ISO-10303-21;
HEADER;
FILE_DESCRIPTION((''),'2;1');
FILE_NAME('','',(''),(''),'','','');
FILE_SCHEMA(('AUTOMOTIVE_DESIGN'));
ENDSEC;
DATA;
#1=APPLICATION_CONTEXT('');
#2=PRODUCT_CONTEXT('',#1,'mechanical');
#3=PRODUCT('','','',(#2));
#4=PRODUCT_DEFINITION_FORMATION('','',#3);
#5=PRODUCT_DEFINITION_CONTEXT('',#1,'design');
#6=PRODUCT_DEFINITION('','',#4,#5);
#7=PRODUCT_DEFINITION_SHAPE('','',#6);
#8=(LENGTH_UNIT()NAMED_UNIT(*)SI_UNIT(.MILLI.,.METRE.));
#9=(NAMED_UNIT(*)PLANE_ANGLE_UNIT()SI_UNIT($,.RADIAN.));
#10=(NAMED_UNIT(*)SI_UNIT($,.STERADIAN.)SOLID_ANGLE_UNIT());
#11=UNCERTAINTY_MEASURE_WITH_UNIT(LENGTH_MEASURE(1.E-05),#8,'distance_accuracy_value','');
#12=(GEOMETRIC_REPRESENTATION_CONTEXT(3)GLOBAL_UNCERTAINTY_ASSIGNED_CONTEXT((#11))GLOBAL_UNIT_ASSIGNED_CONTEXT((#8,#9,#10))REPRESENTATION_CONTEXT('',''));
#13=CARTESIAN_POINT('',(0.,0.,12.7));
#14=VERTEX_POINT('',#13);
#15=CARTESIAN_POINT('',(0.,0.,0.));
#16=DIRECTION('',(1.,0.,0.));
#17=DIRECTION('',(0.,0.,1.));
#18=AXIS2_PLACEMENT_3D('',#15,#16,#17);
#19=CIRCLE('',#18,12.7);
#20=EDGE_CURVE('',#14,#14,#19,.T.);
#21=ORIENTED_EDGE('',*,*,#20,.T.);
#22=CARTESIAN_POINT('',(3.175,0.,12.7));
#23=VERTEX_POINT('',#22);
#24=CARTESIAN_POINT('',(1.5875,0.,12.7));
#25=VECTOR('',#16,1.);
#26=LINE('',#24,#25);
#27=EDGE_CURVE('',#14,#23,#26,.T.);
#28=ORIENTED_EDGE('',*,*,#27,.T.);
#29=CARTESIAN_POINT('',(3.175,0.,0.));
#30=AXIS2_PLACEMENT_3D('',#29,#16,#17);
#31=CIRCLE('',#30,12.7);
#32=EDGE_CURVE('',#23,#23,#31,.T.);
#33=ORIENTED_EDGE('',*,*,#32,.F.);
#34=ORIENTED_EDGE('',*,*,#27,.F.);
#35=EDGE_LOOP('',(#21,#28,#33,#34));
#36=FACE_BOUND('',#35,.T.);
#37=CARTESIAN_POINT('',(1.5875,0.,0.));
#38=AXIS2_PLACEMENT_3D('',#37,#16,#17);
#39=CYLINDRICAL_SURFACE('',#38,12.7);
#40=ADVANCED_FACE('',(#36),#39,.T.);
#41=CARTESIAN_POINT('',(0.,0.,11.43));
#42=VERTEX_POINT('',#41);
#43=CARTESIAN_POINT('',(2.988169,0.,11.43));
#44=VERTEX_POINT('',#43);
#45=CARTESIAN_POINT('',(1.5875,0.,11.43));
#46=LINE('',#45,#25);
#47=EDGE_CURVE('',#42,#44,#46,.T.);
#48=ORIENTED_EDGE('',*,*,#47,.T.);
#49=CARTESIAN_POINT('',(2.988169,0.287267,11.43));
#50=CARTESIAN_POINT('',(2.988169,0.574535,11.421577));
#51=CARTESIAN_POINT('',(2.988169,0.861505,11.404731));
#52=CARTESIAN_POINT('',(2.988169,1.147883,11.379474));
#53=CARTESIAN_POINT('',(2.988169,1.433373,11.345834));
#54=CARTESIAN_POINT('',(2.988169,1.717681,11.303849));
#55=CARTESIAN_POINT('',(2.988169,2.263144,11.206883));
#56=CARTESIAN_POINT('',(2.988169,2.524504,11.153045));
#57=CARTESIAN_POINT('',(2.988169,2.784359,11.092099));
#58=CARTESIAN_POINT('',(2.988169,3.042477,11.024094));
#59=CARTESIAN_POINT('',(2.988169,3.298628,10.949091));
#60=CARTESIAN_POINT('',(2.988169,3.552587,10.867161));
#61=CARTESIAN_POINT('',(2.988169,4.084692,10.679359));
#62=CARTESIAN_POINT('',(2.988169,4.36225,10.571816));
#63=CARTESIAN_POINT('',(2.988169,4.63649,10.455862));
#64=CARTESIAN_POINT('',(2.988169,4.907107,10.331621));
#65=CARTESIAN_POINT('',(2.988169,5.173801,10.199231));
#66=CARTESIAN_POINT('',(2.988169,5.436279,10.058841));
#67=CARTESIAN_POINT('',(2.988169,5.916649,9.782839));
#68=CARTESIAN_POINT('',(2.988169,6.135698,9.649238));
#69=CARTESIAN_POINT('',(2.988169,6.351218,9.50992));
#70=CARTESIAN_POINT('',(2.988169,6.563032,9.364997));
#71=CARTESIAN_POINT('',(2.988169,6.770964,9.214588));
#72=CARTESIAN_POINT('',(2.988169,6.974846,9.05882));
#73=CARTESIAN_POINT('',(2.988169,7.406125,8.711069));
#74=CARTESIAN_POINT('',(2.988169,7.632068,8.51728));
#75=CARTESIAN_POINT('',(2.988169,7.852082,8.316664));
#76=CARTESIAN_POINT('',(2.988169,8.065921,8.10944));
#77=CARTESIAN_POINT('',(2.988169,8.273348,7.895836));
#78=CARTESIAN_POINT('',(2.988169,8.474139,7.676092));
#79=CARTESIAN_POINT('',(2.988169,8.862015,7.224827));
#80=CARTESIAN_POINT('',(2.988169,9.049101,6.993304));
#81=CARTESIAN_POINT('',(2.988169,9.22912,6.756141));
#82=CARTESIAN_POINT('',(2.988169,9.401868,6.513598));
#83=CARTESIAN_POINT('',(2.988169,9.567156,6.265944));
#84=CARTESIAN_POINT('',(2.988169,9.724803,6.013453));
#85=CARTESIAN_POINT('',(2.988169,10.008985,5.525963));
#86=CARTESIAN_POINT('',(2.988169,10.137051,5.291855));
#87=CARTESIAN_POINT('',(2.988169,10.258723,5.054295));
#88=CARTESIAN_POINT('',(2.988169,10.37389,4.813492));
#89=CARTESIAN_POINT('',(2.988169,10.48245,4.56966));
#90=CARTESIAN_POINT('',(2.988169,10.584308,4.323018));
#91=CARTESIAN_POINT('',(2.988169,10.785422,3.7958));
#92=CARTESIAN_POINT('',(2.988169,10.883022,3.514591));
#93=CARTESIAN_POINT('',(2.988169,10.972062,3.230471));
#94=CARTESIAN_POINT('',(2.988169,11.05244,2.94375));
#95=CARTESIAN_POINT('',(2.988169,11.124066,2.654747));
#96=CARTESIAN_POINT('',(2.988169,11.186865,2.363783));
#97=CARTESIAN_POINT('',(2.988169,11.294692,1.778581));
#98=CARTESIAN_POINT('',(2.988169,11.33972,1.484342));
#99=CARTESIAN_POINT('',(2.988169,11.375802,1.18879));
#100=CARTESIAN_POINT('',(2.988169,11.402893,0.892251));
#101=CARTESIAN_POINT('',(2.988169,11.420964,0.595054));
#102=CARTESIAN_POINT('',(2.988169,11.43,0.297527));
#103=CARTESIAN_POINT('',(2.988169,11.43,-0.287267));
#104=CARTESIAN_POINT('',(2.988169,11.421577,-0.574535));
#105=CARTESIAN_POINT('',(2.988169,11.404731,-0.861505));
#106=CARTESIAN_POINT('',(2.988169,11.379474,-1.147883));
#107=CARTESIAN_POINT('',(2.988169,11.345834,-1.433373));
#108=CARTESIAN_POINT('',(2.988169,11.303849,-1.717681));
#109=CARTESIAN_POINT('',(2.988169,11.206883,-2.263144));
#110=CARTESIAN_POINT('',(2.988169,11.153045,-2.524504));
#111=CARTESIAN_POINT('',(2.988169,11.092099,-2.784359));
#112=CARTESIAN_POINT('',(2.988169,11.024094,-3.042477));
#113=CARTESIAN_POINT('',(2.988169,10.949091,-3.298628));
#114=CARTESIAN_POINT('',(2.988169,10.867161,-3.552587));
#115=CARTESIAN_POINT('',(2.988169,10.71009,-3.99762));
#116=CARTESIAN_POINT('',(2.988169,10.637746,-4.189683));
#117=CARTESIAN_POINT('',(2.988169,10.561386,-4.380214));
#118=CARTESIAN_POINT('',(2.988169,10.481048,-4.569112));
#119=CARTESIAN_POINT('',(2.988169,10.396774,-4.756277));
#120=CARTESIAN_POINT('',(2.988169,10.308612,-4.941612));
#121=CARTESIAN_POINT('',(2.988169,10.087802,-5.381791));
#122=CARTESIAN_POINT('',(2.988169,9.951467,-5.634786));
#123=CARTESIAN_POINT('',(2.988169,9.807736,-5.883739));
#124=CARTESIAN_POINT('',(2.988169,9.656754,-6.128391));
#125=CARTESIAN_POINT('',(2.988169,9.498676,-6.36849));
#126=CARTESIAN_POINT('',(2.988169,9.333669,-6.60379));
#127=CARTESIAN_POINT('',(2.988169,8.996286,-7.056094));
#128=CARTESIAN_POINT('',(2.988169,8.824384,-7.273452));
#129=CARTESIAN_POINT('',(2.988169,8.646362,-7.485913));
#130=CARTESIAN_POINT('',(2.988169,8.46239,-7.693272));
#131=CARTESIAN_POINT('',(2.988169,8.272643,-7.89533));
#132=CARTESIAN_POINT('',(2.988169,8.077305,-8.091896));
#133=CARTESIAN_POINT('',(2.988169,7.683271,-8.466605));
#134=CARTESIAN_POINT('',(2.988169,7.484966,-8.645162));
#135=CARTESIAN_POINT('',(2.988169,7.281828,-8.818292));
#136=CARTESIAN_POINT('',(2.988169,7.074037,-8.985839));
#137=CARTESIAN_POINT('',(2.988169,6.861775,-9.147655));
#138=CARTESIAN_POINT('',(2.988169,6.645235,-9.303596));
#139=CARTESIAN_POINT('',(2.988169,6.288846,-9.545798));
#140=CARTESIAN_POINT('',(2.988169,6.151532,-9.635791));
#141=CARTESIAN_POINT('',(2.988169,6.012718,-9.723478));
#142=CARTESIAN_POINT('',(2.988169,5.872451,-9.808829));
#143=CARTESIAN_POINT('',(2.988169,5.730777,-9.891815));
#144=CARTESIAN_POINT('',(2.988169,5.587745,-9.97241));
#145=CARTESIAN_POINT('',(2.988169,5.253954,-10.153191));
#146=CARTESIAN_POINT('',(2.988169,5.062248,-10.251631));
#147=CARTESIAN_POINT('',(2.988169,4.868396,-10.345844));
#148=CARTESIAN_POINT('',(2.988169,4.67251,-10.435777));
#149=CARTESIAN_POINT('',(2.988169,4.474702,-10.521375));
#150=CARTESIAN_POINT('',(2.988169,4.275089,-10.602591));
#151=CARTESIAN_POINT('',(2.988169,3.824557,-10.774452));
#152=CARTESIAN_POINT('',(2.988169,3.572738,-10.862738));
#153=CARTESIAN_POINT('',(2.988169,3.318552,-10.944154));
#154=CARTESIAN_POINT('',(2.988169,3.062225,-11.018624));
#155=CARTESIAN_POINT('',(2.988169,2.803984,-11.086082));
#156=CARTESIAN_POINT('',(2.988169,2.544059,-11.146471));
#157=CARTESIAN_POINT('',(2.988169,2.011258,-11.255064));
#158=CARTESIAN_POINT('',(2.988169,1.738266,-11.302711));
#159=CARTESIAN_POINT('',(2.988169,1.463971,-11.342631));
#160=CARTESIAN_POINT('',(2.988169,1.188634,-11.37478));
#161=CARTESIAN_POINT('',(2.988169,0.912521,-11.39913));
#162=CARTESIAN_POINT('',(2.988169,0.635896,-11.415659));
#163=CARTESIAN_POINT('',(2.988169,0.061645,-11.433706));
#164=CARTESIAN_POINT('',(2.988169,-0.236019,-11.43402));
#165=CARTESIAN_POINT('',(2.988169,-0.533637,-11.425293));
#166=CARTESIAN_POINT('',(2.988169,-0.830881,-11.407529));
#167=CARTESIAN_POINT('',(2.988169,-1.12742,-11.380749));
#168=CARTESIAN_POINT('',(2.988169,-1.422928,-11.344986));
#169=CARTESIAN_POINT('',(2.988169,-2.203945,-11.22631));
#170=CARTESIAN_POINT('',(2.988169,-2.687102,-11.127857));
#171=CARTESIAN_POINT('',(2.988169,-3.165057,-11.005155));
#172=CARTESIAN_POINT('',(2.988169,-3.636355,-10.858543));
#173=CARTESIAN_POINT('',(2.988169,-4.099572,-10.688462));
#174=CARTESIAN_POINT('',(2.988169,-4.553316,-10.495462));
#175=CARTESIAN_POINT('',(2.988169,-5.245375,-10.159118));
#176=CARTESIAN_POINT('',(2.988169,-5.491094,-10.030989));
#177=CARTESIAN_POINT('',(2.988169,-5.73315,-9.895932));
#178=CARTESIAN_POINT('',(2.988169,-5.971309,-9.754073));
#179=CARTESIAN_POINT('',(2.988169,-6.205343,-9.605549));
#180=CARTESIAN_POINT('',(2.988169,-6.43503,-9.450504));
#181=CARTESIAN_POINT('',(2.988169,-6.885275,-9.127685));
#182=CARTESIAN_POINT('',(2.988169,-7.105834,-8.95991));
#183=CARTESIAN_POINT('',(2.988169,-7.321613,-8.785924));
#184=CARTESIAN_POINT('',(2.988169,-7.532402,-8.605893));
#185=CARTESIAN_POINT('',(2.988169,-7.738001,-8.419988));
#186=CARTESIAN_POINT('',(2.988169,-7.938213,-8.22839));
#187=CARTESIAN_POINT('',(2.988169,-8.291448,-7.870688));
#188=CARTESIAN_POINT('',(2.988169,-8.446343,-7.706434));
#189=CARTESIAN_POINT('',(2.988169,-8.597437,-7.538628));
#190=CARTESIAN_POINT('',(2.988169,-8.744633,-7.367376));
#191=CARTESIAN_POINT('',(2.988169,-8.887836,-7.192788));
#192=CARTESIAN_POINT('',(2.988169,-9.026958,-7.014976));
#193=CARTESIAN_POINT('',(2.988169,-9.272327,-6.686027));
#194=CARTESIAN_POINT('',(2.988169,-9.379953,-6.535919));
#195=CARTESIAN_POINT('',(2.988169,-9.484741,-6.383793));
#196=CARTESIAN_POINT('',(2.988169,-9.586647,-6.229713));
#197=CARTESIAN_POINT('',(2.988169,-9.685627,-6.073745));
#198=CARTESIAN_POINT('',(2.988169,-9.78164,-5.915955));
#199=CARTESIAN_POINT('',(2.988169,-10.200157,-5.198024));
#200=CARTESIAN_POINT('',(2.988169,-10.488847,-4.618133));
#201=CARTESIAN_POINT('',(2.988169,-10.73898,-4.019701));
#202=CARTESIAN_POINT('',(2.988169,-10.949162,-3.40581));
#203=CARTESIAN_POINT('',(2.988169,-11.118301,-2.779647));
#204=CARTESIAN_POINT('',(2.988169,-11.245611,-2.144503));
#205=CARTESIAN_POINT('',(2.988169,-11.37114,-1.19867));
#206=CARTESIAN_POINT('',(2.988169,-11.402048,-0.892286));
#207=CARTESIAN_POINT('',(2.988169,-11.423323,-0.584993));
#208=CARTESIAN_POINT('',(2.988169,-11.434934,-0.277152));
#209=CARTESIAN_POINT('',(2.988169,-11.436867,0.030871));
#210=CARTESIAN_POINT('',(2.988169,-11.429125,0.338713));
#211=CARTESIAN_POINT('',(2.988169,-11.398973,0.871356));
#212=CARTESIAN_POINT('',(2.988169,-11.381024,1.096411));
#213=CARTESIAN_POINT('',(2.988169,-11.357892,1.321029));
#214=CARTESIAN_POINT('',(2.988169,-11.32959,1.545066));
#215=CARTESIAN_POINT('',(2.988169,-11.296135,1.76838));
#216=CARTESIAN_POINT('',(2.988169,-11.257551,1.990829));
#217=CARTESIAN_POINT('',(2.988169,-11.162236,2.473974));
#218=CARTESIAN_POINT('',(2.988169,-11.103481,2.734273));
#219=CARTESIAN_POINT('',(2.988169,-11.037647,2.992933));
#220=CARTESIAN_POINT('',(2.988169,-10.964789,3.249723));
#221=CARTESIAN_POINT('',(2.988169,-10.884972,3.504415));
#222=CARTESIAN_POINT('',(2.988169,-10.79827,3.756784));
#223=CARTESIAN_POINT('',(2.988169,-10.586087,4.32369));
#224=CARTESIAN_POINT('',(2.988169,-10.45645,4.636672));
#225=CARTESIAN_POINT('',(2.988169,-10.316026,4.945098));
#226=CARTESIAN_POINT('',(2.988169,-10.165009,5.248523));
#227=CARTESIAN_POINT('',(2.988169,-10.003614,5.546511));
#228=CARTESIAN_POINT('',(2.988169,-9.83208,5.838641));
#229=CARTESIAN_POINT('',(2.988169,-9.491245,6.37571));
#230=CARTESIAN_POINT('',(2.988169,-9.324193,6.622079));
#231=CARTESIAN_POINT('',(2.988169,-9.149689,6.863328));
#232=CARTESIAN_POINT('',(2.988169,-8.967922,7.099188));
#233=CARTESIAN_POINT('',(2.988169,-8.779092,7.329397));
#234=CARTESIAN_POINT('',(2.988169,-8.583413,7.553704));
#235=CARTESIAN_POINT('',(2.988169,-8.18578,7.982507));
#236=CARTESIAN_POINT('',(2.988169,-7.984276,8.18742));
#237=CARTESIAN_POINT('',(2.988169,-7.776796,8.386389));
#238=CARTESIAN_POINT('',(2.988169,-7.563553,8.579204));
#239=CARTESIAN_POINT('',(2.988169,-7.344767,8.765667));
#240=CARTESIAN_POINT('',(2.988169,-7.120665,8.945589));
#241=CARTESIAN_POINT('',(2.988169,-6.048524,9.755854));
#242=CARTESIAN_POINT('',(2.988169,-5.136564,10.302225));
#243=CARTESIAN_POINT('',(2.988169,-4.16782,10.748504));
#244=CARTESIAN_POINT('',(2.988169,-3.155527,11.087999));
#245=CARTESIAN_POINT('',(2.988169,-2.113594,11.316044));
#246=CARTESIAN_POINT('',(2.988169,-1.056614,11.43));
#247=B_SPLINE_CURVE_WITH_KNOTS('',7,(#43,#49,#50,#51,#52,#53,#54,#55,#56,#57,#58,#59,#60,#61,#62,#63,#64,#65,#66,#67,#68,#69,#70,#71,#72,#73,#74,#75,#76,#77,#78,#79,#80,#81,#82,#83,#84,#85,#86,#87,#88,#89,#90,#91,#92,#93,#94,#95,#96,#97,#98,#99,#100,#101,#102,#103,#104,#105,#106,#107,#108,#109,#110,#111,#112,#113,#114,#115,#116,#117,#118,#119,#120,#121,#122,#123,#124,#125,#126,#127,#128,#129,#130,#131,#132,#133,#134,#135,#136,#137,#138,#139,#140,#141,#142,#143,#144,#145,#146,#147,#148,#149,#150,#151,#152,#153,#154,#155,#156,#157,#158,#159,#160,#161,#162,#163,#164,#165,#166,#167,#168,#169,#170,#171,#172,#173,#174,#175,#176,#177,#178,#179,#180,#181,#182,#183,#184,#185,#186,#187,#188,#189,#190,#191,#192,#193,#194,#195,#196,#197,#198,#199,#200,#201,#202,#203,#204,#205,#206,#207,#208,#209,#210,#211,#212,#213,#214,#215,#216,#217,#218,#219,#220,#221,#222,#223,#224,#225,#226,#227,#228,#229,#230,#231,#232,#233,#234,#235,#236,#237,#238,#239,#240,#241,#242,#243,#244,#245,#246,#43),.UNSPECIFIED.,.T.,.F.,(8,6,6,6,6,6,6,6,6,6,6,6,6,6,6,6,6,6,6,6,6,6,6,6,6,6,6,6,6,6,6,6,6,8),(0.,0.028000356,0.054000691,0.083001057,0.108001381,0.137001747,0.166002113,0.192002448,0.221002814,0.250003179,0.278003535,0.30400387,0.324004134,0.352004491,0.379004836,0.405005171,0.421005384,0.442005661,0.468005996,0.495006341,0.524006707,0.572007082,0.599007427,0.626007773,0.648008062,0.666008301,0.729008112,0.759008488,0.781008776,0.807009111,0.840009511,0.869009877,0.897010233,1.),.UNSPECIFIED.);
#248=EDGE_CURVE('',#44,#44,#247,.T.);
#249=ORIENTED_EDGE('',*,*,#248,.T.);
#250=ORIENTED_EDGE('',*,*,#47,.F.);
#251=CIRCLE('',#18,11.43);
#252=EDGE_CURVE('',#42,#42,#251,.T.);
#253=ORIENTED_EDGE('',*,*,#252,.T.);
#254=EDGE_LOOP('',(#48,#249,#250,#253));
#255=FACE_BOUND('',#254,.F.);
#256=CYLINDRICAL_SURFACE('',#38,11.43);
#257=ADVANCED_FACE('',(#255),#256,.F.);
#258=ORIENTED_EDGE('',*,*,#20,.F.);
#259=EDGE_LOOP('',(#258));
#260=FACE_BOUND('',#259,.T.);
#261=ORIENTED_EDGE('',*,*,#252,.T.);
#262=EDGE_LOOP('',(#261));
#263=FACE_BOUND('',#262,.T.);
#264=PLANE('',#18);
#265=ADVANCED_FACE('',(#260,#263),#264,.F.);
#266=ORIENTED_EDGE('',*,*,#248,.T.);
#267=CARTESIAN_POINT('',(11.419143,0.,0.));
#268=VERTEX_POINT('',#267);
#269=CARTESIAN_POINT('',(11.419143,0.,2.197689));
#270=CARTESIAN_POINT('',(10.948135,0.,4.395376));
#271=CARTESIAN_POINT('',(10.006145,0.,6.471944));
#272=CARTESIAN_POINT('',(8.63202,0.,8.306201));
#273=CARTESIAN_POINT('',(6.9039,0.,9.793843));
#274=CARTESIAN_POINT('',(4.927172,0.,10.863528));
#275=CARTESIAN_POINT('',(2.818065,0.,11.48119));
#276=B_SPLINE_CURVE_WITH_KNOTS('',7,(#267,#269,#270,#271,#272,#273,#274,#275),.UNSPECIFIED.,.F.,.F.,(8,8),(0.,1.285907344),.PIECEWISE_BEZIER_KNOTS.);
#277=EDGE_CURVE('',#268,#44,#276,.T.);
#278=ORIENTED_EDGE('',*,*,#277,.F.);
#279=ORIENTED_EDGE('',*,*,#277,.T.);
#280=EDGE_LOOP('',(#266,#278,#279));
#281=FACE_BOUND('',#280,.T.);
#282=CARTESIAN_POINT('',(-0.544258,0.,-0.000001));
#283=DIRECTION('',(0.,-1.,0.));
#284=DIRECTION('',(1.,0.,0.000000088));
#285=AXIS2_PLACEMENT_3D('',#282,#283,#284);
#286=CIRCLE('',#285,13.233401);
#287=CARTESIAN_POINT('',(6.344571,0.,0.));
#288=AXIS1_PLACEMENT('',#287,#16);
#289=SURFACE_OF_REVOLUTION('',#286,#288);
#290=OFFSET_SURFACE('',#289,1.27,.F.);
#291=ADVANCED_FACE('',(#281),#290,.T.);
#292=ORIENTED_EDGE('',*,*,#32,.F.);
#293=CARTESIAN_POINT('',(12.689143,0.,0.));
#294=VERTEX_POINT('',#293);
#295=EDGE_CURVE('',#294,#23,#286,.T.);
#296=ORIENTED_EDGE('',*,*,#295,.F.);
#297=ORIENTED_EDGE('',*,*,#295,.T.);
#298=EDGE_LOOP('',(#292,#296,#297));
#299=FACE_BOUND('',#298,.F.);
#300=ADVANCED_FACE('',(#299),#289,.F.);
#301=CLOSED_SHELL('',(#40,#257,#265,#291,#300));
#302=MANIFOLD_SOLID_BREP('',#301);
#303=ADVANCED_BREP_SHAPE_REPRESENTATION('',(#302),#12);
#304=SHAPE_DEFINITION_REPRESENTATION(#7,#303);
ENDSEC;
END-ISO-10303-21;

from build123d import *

# Parameters (mm, degrees)
F0_W = 3.175
F0_H = 12.7
F2_T = -1.27


with BuildPart() as f1:
    # F0 (on Front) → F1 (revolve)
    with BuildSketch(Plane.XZ):
        with Locations((1.5875, 6.35)):
            Rectangle(F0_W, F0_H)
        with BuildLine():
            ThreePointArc((12.689143, 0), (10.046807, 7.934244), (3.175, 12.7))
            Line((3.175, 12.7), (3.175, 0))
            Line((3.175, 0), (12.689143, 0))
        make_face()
    revolve(axis=Axis((6.344571, 0, 0), (1, 0, 0)))

    # F2
    f2_openings = [f1.faces().sort_by_distance(p)[0] for p in [
        (0, 0, 0),
    ]]
    offset(amount=F2_T, openings=f2_openings)


solid = f1.part
